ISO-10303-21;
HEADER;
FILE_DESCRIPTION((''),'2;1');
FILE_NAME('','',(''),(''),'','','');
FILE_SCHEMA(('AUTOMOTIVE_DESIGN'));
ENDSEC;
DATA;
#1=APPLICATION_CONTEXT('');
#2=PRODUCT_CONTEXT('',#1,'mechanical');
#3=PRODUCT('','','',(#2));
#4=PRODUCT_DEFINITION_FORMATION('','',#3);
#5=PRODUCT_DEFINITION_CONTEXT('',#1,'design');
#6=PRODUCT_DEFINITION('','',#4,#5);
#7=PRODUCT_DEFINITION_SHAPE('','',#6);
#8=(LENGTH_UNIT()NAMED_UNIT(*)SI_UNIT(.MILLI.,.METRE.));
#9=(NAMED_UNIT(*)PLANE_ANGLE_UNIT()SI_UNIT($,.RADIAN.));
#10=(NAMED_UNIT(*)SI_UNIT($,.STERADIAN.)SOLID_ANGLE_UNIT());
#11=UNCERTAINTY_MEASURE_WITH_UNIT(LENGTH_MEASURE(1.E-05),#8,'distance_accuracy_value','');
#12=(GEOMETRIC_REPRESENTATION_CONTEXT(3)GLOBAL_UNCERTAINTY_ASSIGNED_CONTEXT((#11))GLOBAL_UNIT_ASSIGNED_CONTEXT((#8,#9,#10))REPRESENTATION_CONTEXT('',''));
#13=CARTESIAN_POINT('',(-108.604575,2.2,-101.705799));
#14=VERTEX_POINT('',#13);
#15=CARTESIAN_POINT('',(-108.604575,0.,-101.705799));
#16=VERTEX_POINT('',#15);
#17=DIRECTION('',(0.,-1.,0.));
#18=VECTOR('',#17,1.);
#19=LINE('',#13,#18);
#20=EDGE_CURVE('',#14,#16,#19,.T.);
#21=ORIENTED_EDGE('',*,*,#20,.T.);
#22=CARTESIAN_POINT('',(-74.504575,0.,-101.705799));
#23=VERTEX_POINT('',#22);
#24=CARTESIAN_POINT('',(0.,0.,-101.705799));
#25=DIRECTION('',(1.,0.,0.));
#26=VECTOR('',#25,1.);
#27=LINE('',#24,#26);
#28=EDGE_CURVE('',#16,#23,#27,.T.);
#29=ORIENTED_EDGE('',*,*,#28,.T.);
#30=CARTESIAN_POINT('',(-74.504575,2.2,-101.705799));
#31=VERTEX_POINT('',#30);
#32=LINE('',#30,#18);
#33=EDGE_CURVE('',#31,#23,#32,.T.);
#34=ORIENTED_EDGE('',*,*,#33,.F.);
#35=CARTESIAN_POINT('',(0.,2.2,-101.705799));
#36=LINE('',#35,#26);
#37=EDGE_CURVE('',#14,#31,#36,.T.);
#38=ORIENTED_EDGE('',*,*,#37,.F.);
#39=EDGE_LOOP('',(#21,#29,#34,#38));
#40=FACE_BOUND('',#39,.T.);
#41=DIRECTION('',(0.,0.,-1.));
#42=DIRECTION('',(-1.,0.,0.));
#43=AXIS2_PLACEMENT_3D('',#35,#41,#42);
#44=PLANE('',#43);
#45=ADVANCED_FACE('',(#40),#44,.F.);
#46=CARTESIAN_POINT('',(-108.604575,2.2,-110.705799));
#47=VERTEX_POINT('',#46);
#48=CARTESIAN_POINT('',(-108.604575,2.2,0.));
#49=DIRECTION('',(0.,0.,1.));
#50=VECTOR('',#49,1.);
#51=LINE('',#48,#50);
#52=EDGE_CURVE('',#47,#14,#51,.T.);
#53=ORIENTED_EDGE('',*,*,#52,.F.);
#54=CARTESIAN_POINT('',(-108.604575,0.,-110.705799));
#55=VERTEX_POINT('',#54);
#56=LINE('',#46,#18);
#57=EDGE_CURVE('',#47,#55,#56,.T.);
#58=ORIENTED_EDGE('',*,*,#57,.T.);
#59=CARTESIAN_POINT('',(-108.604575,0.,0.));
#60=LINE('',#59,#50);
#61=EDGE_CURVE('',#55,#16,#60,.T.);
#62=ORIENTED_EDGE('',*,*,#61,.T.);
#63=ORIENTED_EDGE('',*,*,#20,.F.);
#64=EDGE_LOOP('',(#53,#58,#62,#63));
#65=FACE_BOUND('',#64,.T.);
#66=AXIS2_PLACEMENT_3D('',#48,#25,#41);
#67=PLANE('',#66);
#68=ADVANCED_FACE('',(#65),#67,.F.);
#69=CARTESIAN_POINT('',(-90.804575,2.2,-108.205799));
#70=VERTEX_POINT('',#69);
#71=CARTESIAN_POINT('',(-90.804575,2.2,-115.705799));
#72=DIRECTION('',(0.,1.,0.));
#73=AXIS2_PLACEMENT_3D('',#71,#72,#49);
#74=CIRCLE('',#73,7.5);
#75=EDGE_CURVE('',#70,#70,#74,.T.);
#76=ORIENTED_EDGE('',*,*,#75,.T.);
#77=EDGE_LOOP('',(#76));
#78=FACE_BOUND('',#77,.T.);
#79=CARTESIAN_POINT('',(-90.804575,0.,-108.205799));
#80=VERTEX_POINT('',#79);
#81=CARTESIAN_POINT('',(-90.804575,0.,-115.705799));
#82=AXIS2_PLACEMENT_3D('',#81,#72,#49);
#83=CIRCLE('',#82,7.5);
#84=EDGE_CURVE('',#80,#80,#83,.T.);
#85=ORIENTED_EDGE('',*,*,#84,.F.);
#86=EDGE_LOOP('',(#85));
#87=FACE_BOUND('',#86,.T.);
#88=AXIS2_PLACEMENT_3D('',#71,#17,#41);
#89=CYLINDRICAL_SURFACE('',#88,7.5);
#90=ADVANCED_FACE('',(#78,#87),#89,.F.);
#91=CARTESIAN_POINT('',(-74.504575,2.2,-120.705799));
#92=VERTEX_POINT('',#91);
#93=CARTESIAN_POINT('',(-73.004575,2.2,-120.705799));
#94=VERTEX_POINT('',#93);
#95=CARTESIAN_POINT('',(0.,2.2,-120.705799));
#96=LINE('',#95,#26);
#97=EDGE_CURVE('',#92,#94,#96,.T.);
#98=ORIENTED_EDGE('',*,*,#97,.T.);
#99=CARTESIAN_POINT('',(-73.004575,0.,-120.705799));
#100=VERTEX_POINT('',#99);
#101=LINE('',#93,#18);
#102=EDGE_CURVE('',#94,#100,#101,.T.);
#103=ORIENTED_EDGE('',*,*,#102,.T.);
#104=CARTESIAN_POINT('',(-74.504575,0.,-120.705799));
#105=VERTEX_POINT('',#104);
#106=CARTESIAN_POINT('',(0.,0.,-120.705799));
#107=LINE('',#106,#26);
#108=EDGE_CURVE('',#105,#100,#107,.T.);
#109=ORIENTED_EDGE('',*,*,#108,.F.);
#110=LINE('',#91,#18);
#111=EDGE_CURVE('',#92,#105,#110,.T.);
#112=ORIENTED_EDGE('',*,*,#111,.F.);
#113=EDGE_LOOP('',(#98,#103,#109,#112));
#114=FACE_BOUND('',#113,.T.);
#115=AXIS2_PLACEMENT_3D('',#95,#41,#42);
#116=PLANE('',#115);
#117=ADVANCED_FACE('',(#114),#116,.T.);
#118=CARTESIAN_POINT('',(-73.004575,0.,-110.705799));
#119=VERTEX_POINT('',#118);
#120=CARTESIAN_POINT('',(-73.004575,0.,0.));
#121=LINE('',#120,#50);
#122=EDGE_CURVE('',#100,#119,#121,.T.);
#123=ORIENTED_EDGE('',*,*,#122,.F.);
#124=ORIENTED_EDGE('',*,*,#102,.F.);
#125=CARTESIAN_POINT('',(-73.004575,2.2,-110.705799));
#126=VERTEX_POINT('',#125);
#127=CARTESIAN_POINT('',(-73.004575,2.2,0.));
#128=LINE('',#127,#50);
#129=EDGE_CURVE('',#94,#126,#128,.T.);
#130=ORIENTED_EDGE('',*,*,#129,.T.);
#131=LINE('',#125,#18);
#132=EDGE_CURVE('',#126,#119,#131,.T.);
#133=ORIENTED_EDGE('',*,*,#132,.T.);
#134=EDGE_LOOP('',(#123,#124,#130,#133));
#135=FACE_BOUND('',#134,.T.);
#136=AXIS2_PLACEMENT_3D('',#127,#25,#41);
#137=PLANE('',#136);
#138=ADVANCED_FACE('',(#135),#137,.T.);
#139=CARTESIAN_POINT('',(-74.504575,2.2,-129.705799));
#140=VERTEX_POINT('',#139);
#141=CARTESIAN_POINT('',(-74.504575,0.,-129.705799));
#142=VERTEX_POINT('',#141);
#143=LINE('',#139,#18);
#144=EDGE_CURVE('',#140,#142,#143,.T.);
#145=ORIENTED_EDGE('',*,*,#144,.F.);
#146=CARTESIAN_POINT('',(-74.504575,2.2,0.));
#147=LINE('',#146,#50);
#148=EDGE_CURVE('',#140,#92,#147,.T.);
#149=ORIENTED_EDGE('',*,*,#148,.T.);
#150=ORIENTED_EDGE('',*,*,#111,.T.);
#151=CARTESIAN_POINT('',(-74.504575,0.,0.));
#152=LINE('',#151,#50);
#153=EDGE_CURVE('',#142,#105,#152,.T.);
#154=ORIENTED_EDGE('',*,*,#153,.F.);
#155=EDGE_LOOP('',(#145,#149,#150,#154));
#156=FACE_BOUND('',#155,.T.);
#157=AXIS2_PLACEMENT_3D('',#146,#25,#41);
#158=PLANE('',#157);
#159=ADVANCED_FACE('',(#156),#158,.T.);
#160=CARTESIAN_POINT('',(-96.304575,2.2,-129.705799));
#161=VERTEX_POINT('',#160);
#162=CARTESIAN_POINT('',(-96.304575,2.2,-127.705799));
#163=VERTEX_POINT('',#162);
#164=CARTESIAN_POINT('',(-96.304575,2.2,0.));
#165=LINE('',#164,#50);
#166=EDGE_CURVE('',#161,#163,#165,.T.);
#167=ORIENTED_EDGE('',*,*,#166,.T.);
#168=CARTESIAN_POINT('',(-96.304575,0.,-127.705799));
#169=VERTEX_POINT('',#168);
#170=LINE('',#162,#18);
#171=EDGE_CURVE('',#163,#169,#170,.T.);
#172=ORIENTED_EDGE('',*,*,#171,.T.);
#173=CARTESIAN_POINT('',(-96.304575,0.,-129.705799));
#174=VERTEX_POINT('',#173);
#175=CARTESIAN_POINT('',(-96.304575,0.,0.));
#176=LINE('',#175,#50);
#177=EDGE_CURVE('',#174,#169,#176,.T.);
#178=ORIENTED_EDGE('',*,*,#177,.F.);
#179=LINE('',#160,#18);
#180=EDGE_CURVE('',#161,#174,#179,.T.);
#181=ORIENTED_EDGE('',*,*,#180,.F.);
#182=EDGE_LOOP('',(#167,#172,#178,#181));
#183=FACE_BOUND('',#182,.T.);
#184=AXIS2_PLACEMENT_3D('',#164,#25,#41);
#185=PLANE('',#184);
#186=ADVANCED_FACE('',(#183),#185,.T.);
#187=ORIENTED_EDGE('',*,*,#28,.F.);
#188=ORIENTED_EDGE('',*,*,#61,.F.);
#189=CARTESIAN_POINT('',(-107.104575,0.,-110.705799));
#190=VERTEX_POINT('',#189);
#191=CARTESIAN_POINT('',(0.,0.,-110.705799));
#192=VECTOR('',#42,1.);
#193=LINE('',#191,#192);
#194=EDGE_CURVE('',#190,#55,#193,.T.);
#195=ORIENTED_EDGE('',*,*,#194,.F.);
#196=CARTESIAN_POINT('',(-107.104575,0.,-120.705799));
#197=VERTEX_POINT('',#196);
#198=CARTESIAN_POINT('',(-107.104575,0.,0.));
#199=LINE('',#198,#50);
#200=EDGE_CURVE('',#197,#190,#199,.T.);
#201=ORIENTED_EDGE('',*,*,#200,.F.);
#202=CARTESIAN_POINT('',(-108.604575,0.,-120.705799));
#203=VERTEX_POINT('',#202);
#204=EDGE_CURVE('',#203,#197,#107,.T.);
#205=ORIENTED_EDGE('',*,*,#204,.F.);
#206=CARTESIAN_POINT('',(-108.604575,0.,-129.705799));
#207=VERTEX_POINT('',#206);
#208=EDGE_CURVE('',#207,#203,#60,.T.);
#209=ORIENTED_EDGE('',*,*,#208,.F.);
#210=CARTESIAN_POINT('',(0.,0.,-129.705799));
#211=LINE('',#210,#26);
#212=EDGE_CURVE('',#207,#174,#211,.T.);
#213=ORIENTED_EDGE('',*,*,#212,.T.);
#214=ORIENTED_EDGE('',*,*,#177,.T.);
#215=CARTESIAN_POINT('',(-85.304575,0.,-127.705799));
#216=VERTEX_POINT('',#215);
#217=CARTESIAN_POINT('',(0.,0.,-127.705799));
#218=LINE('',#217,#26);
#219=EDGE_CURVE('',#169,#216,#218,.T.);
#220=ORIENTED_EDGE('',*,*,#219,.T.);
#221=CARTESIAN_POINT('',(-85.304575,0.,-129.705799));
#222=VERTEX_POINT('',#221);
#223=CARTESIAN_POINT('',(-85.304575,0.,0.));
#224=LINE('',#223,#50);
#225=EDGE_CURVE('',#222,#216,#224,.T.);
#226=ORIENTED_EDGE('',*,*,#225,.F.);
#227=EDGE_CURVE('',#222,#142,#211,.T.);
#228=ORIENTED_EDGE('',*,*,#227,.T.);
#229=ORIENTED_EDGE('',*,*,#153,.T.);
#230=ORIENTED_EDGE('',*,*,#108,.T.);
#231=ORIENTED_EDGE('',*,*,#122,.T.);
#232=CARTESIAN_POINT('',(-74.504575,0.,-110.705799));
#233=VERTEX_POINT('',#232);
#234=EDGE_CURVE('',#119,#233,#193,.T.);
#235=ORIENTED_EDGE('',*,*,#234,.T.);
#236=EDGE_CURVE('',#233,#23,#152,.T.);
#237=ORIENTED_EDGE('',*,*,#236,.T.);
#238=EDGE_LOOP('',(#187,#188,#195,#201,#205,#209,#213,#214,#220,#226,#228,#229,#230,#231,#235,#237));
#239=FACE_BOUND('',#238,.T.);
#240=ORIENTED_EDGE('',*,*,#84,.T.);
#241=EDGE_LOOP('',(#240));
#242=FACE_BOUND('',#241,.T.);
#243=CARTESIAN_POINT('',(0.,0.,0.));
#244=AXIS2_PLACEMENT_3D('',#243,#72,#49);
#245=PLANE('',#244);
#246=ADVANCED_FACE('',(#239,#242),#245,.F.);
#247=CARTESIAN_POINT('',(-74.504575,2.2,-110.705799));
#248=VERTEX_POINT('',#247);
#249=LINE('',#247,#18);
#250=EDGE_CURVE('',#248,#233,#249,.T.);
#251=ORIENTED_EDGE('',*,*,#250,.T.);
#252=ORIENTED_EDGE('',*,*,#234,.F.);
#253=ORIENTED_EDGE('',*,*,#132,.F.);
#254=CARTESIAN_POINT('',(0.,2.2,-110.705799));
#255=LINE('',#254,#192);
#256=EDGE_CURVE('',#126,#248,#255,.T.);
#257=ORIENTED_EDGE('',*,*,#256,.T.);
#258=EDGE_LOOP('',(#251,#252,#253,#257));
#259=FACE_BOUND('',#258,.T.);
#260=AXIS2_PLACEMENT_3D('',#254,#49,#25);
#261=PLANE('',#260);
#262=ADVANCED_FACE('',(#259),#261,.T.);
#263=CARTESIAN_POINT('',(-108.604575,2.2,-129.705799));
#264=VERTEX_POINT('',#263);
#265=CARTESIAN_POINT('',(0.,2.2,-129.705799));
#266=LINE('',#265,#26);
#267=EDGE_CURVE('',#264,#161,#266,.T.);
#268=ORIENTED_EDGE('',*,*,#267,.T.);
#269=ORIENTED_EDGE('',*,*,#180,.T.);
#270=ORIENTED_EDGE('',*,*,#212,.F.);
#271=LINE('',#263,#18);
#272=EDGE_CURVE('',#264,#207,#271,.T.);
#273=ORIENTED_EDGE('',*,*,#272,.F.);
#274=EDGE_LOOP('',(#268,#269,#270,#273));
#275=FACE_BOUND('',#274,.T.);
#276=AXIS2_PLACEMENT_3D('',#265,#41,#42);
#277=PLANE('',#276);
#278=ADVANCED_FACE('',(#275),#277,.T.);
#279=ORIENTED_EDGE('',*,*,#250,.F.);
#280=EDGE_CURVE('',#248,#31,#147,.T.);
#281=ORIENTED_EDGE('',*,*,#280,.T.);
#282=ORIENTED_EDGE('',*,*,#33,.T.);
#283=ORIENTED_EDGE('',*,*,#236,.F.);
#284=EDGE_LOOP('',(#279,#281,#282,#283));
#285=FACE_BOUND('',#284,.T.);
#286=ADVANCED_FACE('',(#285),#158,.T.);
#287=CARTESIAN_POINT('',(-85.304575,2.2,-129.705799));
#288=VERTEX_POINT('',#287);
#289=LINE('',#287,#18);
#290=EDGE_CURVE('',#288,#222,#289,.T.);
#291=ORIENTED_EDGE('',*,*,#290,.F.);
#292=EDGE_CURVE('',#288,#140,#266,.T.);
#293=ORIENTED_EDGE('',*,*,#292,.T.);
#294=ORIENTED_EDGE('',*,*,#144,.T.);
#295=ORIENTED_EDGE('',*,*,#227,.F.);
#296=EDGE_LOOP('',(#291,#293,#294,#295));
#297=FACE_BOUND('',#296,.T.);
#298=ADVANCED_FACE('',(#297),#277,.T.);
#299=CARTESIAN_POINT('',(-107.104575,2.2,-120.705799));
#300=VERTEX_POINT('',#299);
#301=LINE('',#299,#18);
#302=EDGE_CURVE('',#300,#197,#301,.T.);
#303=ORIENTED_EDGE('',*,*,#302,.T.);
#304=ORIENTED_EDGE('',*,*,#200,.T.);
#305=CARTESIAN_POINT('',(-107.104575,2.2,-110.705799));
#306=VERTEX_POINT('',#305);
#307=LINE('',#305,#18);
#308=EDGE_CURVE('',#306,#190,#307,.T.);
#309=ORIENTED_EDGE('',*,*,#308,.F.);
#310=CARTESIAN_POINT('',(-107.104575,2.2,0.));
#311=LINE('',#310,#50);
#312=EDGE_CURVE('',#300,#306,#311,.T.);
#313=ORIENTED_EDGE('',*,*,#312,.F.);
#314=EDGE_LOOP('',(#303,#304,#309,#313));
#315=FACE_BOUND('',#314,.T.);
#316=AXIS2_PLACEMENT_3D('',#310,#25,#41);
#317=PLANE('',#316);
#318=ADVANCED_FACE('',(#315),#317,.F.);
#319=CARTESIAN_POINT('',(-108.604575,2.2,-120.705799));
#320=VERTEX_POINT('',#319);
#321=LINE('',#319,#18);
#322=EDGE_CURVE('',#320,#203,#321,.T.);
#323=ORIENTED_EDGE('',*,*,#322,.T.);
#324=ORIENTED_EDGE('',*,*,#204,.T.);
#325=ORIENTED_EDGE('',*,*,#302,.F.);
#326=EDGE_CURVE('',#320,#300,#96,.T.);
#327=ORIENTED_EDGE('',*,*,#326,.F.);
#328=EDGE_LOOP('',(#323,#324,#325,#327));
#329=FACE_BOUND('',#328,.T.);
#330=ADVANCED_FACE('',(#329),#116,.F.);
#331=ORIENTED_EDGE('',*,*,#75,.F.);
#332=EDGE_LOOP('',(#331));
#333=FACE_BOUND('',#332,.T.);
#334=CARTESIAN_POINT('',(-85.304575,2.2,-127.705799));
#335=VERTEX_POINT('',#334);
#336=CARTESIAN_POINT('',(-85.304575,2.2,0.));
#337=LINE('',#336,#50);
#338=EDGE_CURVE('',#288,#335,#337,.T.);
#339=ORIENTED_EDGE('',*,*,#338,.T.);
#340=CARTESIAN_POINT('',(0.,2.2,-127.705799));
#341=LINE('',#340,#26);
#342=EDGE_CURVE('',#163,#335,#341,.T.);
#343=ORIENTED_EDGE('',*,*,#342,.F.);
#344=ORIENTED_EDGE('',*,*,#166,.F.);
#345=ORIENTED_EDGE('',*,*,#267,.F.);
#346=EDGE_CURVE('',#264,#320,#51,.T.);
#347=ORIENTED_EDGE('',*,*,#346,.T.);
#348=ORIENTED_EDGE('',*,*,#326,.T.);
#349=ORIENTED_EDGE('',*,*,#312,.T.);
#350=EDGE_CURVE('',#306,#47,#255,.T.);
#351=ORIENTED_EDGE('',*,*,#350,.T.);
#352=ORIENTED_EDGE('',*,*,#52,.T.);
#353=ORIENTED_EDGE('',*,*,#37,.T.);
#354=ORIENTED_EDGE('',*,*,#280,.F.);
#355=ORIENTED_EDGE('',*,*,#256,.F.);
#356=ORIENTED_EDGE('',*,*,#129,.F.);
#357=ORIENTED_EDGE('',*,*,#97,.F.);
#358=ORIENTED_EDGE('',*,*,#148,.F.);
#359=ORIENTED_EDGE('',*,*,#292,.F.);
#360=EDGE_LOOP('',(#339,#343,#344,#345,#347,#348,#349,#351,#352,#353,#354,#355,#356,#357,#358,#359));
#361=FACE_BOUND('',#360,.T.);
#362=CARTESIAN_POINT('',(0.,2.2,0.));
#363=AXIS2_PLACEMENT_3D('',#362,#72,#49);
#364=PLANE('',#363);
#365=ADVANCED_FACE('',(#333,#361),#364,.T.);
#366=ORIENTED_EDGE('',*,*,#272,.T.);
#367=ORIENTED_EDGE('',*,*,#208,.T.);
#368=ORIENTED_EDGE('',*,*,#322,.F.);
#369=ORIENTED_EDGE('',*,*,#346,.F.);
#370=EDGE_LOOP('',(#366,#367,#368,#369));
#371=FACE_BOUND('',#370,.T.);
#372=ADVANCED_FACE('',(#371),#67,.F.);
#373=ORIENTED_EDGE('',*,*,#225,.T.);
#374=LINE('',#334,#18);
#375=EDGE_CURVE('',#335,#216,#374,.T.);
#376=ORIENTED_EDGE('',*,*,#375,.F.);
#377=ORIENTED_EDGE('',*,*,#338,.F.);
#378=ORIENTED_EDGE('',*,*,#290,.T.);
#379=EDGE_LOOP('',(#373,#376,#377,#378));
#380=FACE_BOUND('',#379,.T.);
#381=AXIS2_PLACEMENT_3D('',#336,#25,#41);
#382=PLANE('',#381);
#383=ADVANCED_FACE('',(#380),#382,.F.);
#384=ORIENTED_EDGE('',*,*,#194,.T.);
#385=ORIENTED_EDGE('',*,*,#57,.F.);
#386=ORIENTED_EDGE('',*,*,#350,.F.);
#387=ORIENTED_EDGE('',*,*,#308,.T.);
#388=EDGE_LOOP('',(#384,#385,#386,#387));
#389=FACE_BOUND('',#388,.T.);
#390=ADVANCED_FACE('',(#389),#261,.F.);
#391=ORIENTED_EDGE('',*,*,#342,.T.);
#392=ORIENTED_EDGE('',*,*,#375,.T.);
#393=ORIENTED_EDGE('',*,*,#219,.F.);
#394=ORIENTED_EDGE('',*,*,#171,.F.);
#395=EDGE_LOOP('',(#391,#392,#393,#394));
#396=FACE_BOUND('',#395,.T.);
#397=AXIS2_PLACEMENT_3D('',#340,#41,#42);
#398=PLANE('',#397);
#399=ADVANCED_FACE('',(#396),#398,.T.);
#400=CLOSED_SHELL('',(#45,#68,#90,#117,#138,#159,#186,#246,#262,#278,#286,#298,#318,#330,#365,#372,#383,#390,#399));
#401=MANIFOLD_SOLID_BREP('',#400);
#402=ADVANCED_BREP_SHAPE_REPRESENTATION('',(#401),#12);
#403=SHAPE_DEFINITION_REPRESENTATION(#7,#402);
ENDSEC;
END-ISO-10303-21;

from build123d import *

# Parameters (mm, degrees)
SKETCH1_R           = 7.5
BOSS_EXTRUDE1_DEPTH = 2.2


with BuildPart() as part:
    # Sketch1 → Boss-Extrude1 (new body)
    with BuildSketch(Plane(origin=(0, 0, 0), x_dir=(1, 0, 0), z_dir=(0, 1, 0))):
        Polygon((-85.304574569, 129.705799117), (-74.504574569, 129.705799117), (-74.504574569, 120.705799117), (-73.004574569, 120.705799117), (-73.004574569, 110.705799117), (-74.504574569, 110.705799117), (-74.504574569, 101.705799117), (-108.604574569, 101.705799117), (-108.604574569, 110.705799117), (-107.104574569, 110.705799117), (-107.104574569, 120.705799117), (-108.604574569, 120.705799117), (-108.604574569, 129.705799117), (-96.304574569, 129.705799117), (-96.304574569, 127.705799117), (-85.304574569, 127.705799117), align=None)
        with Locations(Location((-90.804574569, 115.705799117, 0), (0, 0, 270))):
            Circle(SKETCH1_R, mode=Mode.SUBTRACT)
    extrude(amount=BOSS_EXTRUDE1_DEPTH)


solid = part.part
